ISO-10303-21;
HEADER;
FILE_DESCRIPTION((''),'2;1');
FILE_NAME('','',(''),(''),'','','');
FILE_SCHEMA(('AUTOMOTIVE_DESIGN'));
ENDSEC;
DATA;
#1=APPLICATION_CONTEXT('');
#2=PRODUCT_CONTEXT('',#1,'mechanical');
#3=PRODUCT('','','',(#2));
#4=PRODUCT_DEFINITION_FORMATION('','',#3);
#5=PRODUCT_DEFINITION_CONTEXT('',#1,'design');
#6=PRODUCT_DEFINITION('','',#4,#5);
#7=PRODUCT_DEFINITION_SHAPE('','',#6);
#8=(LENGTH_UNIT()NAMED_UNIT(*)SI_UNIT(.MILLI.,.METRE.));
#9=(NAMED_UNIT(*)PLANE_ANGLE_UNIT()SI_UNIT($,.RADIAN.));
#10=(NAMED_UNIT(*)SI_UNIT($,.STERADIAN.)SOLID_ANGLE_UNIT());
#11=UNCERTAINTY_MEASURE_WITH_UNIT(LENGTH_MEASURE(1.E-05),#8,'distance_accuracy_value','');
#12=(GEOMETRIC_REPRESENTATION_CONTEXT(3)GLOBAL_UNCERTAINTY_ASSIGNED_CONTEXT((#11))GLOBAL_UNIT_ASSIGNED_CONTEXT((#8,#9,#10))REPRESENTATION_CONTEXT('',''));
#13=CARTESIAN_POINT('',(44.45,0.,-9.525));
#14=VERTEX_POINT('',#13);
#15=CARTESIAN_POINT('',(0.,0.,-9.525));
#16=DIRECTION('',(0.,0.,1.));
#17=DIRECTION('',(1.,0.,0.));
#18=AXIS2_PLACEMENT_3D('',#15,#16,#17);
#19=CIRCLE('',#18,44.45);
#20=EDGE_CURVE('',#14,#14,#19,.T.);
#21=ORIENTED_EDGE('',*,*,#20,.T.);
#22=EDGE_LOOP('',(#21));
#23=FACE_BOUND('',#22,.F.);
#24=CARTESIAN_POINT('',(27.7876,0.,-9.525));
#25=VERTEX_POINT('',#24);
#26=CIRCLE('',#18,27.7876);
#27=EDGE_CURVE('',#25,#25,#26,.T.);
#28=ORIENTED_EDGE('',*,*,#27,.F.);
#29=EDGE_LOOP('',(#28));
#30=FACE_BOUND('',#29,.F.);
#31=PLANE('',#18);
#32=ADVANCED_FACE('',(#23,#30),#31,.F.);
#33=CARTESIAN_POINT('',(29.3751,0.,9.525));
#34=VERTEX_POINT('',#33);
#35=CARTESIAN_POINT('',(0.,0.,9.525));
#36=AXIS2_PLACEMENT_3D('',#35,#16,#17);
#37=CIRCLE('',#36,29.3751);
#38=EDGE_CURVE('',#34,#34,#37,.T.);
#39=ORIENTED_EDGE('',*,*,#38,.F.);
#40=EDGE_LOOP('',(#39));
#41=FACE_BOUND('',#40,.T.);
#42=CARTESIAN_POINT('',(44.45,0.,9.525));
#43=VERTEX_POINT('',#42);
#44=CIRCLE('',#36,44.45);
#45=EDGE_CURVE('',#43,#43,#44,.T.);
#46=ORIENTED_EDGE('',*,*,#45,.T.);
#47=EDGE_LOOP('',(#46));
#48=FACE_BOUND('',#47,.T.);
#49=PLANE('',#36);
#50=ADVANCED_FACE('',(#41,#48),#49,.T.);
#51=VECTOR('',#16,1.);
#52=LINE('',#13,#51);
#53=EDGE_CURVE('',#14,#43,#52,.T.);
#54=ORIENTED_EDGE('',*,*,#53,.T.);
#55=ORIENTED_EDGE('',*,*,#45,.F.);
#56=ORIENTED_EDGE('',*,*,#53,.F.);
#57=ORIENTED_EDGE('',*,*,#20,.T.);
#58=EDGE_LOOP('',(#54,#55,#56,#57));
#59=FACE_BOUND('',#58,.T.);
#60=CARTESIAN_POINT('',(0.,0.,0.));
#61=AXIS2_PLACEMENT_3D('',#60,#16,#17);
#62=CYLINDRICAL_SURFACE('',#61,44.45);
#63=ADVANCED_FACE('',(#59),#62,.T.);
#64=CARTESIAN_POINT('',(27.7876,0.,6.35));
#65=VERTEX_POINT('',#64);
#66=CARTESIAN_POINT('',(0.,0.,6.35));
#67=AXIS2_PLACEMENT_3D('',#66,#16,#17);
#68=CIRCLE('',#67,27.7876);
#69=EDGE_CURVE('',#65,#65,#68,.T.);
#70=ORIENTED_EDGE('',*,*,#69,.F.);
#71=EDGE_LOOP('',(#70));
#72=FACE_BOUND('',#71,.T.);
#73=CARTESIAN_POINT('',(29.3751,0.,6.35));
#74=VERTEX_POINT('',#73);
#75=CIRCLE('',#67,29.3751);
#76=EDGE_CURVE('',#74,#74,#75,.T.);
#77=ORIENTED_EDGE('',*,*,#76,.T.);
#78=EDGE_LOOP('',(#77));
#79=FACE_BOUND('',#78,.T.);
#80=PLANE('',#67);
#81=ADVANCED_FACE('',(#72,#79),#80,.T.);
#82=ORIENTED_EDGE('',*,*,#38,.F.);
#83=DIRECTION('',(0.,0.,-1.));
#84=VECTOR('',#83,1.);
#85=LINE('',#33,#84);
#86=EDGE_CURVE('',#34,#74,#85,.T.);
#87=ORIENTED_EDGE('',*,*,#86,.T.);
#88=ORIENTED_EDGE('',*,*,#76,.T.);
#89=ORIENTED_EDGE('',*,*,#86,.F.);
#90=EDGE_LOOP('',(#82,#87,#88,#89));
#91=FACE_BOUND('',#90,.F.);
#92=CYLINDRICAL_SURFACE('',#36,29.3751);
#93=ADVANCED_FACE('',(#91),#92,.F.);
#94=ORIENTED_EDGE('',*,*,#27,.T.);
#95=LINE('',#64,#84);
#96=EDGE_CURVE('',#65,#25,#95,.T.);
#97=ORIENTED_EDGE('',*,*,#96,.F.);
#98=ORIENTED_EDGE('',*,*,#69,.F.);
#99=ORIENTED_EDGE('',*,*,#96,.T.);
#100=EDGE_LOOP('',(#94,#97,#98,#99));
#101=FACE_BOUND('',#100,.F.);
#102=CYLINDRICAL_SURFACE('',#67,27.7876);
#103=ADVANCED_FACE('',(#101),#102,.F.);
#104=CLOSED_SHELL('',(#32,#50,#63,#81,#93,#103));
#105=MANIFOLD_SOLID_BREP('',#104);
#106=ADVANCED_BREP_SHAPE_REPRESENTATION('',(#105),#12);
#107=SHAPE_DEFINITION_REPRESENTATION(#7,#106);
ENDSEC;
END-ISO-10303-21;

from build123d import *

# Parameters (mm, degrees)
F0_R     = 44.45
F1_DEPTH = 9.525
F2_R     = 29.3751
F3_DEPTH = 3.175
F4_R     = 27.7876
F5_DEPTH = 15.875


with BuildPart() as f1:
    # F0 (on Top) → F1 (new body, symmetric)
    with BuildSketch(Plane.XY):
        Circle(F0_R)
    extrude(amount=F1_DEPTH, both=True)

    # F2 (on face) → F3 (cut)
    with BuildSketch(Plane.XY.offset(9.525)):
        Circle(F2_R)
    extrude(amount=-F3_DEPTH, mode=Mode.SUBTRACT)

    # F4 (on face) → F5 (cut)
    with BuildSketch(Plane.XY.offset(6.35)):
        Circle(F4_R)
    extrude(amount=-F5_DEPTH, mode=Mode.SUBTRACT)


solid = f1.part
